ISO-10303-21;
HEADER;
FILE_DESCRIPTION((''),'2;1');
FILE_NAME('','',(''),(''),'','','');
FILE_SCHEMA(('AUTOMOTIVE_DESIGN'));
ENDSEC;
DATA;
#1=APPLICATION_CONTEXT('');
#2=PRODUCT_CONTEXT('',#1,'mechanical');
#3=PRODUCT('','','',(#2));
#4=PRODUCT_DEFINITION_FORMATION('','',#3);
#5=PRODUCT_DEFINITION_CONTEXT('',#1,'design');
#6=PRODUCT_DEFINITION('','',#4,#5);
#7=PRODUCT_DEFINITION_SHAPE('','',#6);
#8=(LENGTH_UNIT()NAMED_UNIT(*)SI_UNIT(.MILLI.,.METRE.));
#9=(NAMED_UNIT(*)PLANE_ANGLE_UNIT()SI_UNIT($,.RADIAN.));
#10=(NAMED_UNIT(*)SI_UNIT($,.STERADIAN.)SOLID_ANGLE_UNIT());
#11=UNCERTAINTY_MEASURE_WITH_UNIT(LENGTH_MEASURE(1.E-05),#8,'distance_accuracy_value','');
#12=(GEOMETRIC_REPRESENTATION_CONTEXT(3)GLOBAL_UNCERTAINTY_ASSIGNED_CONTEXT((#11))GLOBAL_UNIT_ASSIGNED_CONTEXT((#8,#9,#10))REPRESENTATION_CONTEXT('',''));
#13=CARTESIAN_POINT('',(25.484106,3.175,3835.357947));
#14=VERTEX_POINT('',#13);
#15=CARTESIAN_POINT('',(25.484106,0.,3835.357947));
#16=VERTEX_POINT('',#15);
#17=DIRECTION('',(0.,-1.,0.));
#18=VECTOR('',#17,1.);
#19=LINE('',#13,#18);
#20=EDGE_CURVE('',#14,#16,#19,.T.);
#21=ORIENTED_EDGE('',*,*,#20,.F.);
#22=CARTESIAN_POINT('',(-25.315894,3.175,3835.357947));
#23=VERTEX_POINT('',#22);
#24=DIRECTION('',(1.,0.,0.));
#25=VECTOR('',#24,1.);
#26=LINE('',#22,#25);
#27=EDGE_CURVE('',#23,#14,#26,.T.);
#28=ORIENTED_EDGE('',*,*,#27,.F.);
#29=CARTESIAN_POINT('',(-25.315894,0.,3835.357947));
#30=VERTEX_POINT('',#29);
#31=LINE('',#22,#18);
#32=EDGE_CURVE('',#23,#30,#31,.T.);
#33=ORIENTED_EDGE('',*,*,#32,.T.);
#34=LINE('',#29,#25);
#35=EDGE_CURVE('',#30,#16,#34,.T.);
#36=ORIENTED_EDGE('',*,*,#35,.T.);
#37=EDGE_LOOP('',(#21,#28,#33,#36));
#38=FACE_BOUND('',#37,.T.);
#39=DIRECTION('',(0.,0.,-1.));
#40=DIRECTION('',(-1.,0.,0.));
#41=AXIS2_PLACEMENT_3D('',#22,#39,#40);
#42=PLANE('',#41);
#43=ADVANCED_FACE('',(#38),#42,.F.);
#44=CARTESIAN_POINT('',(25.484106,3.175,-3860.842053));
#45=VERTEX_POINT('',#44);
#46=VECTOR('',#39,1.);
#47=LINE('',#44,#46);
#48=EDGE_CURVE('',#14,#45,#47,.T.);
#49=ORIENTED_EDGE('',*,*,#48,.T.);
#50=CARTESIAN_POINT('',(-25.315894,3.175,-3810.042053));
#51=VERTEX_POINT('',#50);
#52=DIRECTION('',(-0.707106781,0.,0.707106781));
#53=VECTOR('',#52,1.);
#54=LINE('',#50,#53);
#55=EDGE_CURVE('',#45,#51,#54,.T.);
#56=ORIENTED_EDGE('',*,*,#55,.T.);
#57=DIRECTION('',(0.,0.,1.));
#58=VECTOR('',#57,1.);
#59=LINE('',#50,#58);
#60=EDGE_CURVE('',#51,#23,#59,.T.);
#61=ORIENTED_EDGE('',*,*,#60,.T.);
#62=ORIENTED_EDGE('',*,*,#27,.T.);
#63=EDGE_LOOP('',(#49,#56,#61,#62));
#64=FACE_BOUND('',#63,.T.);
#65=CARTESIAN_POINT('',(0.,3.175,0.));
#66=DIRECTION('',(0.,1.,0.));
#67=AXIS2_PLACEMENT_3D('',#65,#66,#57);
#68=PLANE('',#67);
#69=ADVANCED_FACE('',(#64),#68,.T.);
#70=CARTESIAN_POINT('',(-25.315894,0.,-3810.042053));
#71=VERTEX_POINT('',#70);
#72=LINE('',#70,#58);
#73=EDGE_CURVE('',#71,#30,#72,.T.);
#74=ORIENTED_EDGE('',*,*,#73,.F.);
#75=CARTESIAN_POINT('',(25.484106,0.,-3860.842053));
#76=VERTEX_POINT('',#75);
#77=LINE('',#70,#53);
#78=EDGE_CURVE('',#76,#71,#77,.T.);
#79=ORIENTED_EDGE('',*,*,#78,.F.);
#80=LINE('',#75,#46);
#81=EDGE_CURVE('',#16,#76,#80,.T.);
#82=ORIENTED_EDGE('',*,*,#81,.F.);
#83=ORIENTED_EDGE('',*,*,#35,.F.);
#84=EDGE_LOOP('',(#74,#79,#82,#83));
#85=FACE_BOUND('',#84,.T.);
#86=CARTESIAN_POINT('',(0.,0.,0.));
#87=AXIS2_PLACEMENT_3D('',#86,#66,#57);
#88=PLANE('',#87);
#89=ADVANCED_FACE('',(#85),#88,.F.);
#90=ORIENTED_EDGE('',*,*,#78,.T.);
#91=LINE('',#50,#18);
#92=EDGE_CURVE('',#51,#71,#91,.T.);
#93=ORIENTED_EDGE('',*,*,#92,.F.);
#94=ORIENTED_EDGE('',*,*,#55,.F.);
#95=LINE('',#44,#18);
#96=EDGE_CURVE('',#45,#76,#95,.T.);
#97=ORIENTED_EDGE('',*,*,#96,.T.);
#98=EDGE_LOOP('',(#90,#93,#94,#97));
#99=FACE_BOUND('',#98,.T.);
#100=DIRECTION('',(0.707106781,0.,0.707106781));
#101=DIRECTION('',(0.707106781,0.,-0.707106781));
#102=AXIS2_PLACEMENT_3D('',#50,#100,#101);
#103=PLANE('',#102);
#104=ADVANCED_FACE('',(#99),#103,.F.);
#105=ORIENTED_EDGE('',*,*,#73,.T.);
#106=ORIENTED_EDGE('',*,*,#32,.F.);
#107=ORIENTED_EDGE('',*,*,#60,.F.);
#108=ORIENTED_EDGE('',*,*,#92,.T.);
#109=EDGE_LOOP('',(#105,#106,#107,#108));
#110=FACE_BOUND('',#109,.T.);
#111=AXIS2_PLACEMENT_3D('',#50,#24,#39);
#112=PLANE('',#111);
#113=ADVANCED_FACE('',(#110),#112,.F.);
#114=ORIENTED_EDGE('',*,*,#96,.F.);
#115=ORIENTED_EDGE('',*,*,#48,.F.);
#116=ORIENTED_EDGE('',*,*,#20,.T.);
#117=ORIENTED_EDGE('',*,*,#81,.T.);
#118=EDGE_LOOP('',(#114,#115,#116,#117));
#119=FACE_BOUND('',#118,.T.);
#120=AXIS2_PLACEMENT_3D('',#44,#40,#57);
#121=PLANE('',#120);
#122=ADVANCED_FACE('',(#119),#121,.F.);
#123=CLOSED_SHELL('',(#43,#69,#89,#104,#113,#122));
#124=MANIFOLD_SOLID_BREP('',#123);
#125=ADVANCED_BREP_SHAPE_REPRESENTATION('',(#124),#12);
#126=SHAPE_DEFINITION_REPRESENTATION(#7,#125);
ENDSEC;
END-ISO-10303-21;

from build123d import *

# Parameters (mm, degrees)
BOSS_EXTRUDE1_DEPTH = 3.175


with BuildPart() as part:
    # Sketch1 → Boss-Extrude1 (new body)
    with BuildSketch(Plane(origin=(0, 0, 0), x_dir=(1, 0, 0), z_dir=(0, 1, 0))):
        Polygon((-25.31589404, 3810.04205298), (25.48410596, 3860.84205298), (25.48410596, -3835.35794702), (-25.31589404, -3835.35794702), align=None)
    extrude(amount=BOSS_EXTRUDE1_DEPTH)


solid = part.part
